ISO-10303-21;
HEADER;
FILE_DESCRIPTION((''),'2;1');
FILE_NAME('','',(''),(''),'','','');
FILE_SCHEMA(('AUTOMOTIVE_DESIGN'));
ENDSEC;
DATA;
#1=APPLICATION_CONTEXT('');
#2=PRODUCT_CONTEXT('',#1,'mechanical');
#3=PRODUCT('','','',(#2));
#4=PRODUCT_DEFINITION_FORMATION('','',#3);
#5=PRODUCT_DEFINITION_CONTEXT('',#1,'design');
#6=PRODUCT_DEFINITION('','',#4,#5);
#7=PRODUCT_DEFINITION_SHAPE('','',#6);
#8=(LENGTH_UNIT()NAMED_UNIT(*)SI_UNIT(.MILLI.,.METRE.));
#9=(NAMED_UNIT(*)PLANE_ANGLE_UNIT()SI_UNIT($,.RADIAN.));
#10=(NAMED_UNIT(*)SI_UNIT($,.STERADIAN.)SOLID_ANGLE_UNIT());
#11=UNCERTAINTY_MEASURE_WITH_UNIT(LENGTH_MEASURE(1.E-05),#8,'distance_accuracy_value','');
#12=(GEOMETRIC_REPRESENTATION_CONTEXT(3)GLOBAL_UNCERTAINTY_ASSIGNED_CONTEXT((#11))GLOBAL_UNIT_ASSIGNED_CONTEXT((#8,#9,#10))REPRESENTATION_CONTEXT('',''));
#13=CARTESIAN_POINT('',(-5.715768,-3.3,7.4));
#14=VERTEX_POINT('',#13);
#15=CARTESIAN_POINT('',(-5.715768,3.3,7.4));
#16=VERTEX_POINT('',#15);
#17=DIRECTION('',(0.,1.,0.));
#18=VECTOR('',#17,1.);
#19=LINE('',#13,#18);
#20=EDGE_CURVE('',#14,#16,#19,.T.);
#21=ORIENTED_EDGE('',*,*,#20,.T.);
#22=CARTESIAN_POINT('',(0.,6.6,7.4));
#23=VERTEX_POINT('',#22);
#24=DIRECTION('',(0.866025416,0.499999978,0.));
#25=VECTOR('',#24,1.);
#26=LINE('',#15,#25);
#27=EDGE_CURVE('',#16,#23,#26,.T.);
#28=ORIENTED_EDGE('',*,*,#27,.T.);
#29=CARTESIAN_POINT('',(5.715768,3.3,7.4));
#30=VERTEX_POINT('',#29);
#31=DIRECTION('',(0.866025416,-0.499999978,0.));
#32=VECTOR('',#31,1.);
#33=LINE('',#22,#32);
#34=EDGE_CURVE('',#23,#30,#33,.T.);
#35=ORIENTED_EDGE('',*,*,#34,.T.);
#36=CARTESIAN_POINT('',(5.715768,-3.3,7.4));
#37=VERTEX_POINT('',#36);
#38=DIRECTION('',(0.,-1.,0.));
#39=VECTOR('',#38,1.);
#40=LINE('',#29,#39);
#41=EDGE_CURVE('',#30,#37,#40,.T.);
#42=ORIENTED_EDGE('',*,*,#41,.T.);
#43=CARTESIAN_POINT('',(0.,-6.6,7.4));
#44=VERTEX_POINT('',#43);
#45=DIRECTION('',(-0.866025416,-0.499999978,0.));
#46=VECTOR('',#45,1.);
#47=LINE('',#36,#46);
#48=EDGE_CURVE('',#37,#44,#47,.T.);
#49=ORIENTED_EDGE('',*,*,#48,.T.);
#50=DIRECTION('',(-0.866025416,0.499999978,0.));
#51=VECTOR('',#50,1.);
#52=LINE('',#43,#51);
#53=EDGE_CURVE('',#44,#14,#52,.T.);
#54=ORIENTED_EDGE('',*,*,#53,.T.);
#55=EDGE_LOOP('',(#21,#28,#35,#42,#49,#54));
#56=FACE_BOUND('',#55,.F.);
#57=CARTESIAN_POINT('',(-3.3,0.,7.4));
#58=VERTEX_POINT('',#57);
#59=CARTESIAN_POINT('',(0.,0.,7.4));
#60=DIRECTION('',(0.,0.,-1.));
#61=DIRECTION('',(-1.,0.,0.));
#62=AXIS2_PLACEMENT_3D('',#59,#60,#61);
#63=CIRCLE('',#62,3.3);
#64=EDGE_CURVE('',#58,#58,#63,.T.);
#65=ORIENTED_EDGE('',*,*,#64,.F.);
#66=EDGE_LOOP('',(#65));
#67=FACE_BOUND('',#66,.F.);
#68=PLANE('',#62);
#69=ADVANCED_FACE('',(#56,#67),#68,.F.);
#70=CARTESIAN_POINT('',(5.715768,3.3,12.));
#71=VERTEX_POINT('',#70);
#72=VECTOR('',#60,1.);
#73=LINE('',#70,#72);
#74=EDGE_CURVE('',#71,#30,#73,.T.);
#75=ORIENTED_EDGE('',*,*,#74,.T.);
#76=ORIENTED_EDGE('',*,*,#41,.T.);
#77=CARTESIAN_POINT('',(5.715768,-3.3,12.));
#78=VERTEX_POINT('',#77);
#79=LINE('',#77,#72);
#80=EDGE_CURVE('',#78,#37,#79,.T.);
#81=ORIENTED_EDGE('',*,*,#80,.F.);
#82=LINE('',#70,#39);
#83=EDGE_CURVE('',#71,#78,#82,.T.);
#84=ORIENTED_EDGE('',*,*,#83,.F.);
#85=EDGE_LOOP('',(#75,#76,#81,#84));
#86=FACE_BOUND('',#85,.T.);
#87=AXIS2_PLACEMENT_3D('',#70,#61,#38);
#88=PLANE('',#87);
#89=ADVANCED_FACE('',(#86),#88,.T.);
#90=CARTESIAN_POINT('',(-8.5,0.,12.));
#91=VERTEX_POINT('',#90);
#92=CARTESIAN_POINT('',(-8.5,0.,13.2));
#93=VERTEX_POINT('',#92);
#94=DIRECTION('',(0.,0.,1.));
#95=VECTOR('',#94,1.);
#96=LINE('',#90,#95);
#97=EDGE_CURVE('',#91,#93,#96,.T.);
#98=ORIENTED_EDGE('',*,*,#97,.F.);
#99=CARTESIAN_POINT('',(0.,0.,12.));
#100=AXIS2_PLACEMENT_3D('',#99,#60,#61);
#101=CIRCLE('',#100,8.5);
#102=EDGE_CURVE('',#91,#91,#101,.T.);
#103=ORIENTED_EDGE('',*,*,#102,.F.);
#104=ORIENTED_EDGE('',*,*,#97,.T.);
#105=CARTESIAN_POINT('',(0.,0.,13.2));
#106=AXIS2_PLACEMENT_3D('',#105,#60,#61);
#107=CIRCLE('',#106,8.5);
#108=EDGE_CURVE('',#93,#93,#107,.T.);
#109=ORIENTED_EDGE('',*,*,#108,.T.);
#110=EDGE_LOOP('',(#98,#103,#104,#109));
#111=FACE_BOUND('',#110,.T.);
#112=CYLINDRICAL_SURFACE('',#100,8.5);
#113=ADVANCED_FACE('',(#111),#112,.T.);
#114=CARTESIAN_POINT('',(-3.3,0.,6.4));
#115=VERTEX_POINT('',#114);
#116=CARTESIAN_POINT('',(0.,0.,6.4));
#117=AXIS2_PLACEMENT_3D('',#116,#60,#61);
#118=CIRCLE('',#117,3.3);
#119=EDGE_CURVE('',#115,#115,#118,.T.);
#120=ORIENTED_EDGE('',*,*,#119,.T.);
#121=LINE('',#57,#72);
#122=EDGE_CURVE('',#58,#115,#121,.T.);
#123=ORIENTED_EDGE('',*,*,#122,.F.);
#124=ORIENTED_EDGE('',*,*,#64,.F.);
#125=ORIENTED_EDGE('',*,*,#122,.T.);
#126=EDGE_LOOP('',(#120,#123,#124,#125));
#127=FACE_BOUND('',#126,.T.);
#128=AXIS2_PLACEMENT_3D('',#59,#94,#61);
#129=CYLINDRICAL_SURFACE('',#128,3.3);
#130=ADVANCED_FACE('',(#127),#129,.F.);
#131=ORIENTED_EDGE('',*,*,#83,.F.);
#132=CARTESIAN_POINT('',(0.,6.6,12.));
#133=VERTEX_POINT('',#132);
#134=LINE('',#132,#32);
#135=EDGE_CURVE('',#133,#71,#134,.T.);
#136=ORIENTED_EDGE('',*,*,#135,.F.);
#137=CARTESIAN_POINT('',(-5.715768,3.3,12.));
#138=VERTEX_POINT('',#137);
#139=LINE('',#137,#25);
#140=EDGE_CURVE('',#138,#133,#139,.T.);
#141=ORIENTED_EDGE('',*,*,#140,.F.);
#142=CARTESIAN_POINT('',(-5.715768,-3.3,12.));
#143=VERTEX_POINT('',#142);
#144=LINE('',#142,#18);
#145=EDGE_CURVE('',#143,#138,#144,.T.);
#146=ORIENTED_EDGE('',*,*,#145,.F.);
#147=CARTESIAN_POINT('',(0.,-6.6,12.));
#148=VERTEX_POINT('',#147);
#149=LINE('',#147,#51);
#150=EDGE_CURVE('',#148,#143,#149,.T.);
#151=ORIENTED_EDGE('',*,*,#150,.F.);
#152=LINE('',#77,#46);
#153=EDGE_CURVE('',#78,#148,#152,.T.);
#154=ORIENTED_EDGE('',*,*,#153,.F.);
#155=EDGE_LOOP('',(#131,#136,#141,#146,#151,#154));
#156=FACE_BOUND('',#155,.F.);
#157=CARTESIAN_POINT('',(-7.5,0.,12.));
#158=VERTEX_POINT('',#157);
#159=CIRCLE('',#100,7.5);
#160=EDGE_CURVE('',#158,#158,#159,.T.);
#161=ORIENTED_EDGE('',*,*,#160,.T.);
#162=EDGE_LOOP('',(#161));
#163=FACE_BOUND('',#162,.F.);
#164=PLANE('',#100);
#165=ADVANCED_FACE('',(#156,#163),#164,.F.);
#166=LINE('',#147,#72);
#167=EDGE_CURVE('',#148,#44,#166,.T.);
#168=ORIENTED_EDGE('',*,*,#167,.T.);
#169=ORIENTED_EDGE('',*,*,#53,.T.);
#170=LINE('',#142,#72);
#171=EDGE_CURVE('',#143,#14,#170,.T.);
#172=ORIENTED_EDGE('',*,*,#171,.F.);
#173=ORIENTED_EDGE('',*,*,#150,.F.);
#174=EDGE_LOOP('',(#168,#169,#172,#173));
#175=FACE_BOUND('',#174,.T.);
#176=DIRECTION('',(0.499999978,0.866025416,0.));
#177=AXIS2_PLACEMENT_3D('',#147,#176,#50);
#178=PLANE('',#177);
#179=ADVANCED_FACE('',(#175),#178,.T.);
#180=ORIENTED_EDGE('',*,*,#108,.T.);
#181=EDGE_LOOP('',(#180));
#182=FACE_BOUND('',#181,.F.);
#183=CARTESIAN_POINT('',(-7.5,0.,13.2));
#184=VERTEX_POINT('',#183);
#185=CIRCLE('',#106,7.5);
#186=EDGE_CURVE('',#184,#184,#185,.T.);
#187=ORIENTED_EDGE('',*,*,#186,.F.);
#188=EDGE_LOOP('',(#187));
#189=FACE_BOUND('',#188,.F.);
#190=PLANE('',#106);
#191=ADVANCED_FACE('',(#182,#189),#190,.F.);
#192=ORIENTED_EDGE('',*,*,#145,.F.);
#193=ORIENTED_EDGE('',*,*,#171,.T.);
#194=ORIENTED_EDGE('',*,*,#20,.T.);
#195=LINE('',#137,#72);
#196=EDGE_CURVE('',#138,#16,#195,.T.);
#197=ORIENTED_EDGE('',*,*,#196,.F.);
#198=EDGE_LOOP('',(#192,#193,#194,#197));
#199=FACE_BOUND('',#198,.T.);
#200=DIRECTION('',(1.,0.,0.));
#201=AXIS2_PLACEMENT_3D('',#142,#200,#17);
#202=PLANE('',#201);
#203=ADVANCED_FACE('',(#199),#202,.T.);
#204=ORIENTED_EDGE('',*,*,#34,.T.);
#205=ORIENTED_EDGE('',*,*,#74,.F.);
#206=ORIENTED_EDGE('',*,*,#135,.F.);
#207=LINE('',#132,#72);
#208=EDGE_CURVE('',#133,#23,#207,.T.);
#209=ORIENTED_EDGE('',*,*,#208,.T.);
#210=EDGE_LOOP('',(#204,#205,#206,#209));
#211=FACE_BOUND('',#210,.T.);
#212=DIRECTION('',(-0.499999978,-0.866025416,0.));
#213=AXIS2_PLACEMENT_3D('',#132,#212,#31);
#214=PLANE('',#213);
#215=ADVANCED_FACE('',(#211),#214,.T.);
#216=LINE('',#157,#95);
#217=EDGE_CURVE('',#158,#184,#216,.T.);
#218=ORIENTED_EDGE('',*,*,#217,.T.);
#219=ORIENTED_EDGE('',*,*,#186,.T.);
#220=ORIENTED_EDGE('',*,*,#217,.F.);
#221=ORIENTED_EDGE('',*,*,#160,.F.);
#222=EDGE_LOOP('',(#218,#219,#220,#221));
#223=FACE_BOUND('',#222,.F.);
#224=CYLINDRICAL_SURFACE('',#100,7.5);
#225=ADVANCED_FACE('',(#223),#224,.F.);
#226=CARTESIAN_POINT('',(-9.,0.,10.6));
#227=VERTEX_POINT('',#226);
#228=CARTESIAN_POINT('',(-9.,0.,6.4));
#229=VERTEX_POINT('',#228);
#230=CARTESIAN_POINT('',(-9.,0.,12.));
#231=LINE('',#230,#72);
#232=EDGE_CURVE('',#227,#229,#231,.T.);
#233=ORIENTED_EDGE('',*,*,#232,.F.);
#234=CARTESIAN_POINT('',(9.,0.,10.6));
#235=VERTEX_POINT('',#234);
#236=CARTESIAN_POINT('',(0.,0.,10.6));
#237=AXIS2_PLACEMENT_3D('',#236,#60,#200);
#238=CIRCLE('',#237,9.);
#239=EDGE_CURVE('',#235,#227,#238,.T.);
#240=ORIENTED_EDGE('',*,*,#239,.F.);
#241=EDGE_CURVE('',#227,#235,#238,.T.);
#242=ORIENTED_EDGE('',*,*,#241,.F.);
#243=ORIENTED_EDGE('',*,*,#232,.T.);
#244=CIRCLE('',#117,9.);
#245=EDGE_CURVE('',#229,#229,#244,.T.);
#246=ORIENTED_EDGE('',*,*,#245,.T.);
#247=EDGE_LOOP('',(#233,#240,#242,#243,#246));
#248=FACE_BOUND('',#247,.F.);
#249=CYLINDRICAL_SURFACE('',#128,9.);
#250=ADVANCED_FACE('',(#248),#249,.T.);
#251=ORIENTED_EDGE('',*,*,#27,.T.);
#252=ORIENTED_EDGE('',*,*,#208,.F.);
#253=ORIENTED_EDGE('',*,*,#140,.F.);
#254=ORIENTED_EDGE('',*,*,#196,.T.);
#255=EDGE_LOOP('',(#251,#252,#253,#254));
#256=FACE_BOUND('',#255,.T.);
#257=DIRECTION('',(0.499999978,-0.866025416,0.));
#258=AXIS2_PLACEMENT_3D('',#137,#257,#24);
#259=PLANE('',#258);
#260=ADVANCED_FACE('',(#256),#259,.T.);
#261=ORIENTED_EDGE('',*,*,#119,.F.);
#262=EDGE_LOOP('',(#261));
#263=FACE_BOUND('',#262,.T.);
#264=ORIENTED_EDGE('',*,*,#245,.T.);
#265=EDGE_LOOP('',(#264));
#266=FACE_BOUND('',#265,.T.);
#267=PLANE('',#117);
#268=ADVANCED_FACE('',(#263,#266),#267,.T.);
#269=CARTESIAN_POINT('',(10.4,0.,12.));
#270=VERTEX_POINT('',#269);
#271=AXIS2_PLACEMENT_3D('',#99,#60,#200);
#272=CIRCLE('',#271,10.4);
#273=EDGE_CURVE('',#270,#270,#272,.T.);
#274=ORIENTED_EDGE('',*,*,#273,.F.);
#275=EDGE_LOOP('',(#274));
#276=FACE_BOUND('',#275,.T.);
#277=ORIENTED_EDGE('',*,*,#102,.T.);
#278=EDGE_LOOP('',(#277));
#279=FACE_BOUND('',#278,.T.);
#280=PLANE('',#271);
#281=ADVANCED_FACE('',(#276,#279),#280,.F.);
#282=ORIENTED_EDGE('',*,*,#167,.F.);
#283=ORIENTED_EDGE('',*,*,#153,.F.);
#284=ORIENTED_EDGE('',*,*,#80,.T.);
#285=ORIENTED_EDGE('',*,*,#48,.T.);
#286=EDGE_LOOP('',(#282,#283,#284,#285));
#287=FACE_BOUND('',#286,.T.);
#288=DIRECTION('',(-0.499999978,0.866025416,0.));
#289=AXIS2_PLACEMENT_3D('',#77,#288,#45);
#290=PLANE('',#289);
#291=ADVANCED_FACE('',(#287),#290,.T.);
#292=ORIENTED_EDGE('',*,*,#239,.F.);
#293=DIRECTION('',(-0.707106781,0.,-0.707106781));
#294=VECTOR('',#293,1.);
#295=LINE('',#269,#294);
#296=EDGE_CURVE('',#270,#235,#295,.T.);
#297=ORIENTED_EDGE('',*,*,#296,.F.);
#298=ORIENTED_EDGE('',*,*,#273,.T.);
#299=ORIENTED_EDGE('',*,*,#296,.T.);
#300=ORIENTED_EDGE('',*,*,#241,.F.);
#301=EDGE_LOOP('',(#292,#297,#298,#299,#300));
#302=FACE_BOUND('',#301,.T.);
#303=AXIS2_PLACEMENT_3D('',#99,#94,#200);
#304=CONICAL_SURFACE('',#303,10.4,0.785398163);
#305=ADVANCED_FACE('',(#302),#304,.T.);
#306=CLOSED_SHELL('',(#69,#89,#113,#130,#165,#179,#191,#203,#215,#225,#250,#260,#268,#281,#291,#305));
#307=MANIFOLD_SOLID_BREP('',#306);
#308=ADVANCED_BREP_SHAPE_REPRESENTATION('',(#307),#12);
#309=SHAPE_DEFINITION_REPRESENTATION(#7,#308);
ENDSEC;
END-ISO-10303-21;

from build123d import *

# Parameters (mm, degrees)
SKETCH002_R             = 9
SKETCH002_R_2           = 3.3
EXTRUDE001_DEPTH        = 1
SKETCH003_R             = 8.5
SKETCH003_R_2           = 7.5
EXTRUDE003_DEPTH        = 1.2
SKETCH001_R             = 9
EXTRUDE002_DEPTH        = 4.6
BODY003_PLACEMENT_ANGLE = 180


with BuildPart() as extrude001:
    # Sketch002 → Extrude001 (new body)
    with BuildSketch(Plane.XY):
        Circle(SKETCH002_R)
        Circle(SKETCH002_R_2, mode=Mode.SUBTRACT)
    extrude(amount=EXTRUDE001_DEPTH)


with BuildPart() as extrude001_1:
    # Extrude001 placement: moved
    add(extrude001.part.moved(Location((0, 0, 4.6))))


with BuildPart() as extrude003:
    # Sketch003 → Extrude003 (new body)
    with BuildSketch(Plane.XY):
        Circle(SKETCH003_R)
        Circle(SKETCH003_R_2, mode=Mode.SUBTRACT)
    extrude(amount=-EXTRUDE003_DEPTH)


with BuildPart() as revolve_body:
    # Sketch007 → Revolve (revolve)
    with BuildSketch(Plane.XZ):
        Polygon((-9, 1.4), (-9, 0), (-10.4, 0), align=None)
    revolve(axis=Axis((0, 0, 0), (0, 0, 1)))


with BuildPart() as body003:
    # Sketch001 → Extrude002 (new body)
    with BuildSketch(Plane.XY):
        Circle(SKETCH001_R)
        Polygon((5.715768, 3.3), (0, 6.6), (-5.715768, 3.3), (-5.715768, -3.3), (0, -6.6), (5.715768, -3.3), align=None, mode=Mode.SUBTRACT)
    extrude(amount=EXTRUDE002_DEPTH)

    # Fusion: union Extrude001, Extrude003, Revolve body
    add(extrude001_1.part)
    add(extrude003.part)
    add(revolve_body.part)


with BuildPart() as body003_1:
    # Body003 placement: moved
    add(body003.part.moved(Location((0, 0, 12))).rotate(Axis((0, 0, 12), (0, 1, 0)), BODY003_PLACEMENT_ANGLE))


solid = body003_1.part
